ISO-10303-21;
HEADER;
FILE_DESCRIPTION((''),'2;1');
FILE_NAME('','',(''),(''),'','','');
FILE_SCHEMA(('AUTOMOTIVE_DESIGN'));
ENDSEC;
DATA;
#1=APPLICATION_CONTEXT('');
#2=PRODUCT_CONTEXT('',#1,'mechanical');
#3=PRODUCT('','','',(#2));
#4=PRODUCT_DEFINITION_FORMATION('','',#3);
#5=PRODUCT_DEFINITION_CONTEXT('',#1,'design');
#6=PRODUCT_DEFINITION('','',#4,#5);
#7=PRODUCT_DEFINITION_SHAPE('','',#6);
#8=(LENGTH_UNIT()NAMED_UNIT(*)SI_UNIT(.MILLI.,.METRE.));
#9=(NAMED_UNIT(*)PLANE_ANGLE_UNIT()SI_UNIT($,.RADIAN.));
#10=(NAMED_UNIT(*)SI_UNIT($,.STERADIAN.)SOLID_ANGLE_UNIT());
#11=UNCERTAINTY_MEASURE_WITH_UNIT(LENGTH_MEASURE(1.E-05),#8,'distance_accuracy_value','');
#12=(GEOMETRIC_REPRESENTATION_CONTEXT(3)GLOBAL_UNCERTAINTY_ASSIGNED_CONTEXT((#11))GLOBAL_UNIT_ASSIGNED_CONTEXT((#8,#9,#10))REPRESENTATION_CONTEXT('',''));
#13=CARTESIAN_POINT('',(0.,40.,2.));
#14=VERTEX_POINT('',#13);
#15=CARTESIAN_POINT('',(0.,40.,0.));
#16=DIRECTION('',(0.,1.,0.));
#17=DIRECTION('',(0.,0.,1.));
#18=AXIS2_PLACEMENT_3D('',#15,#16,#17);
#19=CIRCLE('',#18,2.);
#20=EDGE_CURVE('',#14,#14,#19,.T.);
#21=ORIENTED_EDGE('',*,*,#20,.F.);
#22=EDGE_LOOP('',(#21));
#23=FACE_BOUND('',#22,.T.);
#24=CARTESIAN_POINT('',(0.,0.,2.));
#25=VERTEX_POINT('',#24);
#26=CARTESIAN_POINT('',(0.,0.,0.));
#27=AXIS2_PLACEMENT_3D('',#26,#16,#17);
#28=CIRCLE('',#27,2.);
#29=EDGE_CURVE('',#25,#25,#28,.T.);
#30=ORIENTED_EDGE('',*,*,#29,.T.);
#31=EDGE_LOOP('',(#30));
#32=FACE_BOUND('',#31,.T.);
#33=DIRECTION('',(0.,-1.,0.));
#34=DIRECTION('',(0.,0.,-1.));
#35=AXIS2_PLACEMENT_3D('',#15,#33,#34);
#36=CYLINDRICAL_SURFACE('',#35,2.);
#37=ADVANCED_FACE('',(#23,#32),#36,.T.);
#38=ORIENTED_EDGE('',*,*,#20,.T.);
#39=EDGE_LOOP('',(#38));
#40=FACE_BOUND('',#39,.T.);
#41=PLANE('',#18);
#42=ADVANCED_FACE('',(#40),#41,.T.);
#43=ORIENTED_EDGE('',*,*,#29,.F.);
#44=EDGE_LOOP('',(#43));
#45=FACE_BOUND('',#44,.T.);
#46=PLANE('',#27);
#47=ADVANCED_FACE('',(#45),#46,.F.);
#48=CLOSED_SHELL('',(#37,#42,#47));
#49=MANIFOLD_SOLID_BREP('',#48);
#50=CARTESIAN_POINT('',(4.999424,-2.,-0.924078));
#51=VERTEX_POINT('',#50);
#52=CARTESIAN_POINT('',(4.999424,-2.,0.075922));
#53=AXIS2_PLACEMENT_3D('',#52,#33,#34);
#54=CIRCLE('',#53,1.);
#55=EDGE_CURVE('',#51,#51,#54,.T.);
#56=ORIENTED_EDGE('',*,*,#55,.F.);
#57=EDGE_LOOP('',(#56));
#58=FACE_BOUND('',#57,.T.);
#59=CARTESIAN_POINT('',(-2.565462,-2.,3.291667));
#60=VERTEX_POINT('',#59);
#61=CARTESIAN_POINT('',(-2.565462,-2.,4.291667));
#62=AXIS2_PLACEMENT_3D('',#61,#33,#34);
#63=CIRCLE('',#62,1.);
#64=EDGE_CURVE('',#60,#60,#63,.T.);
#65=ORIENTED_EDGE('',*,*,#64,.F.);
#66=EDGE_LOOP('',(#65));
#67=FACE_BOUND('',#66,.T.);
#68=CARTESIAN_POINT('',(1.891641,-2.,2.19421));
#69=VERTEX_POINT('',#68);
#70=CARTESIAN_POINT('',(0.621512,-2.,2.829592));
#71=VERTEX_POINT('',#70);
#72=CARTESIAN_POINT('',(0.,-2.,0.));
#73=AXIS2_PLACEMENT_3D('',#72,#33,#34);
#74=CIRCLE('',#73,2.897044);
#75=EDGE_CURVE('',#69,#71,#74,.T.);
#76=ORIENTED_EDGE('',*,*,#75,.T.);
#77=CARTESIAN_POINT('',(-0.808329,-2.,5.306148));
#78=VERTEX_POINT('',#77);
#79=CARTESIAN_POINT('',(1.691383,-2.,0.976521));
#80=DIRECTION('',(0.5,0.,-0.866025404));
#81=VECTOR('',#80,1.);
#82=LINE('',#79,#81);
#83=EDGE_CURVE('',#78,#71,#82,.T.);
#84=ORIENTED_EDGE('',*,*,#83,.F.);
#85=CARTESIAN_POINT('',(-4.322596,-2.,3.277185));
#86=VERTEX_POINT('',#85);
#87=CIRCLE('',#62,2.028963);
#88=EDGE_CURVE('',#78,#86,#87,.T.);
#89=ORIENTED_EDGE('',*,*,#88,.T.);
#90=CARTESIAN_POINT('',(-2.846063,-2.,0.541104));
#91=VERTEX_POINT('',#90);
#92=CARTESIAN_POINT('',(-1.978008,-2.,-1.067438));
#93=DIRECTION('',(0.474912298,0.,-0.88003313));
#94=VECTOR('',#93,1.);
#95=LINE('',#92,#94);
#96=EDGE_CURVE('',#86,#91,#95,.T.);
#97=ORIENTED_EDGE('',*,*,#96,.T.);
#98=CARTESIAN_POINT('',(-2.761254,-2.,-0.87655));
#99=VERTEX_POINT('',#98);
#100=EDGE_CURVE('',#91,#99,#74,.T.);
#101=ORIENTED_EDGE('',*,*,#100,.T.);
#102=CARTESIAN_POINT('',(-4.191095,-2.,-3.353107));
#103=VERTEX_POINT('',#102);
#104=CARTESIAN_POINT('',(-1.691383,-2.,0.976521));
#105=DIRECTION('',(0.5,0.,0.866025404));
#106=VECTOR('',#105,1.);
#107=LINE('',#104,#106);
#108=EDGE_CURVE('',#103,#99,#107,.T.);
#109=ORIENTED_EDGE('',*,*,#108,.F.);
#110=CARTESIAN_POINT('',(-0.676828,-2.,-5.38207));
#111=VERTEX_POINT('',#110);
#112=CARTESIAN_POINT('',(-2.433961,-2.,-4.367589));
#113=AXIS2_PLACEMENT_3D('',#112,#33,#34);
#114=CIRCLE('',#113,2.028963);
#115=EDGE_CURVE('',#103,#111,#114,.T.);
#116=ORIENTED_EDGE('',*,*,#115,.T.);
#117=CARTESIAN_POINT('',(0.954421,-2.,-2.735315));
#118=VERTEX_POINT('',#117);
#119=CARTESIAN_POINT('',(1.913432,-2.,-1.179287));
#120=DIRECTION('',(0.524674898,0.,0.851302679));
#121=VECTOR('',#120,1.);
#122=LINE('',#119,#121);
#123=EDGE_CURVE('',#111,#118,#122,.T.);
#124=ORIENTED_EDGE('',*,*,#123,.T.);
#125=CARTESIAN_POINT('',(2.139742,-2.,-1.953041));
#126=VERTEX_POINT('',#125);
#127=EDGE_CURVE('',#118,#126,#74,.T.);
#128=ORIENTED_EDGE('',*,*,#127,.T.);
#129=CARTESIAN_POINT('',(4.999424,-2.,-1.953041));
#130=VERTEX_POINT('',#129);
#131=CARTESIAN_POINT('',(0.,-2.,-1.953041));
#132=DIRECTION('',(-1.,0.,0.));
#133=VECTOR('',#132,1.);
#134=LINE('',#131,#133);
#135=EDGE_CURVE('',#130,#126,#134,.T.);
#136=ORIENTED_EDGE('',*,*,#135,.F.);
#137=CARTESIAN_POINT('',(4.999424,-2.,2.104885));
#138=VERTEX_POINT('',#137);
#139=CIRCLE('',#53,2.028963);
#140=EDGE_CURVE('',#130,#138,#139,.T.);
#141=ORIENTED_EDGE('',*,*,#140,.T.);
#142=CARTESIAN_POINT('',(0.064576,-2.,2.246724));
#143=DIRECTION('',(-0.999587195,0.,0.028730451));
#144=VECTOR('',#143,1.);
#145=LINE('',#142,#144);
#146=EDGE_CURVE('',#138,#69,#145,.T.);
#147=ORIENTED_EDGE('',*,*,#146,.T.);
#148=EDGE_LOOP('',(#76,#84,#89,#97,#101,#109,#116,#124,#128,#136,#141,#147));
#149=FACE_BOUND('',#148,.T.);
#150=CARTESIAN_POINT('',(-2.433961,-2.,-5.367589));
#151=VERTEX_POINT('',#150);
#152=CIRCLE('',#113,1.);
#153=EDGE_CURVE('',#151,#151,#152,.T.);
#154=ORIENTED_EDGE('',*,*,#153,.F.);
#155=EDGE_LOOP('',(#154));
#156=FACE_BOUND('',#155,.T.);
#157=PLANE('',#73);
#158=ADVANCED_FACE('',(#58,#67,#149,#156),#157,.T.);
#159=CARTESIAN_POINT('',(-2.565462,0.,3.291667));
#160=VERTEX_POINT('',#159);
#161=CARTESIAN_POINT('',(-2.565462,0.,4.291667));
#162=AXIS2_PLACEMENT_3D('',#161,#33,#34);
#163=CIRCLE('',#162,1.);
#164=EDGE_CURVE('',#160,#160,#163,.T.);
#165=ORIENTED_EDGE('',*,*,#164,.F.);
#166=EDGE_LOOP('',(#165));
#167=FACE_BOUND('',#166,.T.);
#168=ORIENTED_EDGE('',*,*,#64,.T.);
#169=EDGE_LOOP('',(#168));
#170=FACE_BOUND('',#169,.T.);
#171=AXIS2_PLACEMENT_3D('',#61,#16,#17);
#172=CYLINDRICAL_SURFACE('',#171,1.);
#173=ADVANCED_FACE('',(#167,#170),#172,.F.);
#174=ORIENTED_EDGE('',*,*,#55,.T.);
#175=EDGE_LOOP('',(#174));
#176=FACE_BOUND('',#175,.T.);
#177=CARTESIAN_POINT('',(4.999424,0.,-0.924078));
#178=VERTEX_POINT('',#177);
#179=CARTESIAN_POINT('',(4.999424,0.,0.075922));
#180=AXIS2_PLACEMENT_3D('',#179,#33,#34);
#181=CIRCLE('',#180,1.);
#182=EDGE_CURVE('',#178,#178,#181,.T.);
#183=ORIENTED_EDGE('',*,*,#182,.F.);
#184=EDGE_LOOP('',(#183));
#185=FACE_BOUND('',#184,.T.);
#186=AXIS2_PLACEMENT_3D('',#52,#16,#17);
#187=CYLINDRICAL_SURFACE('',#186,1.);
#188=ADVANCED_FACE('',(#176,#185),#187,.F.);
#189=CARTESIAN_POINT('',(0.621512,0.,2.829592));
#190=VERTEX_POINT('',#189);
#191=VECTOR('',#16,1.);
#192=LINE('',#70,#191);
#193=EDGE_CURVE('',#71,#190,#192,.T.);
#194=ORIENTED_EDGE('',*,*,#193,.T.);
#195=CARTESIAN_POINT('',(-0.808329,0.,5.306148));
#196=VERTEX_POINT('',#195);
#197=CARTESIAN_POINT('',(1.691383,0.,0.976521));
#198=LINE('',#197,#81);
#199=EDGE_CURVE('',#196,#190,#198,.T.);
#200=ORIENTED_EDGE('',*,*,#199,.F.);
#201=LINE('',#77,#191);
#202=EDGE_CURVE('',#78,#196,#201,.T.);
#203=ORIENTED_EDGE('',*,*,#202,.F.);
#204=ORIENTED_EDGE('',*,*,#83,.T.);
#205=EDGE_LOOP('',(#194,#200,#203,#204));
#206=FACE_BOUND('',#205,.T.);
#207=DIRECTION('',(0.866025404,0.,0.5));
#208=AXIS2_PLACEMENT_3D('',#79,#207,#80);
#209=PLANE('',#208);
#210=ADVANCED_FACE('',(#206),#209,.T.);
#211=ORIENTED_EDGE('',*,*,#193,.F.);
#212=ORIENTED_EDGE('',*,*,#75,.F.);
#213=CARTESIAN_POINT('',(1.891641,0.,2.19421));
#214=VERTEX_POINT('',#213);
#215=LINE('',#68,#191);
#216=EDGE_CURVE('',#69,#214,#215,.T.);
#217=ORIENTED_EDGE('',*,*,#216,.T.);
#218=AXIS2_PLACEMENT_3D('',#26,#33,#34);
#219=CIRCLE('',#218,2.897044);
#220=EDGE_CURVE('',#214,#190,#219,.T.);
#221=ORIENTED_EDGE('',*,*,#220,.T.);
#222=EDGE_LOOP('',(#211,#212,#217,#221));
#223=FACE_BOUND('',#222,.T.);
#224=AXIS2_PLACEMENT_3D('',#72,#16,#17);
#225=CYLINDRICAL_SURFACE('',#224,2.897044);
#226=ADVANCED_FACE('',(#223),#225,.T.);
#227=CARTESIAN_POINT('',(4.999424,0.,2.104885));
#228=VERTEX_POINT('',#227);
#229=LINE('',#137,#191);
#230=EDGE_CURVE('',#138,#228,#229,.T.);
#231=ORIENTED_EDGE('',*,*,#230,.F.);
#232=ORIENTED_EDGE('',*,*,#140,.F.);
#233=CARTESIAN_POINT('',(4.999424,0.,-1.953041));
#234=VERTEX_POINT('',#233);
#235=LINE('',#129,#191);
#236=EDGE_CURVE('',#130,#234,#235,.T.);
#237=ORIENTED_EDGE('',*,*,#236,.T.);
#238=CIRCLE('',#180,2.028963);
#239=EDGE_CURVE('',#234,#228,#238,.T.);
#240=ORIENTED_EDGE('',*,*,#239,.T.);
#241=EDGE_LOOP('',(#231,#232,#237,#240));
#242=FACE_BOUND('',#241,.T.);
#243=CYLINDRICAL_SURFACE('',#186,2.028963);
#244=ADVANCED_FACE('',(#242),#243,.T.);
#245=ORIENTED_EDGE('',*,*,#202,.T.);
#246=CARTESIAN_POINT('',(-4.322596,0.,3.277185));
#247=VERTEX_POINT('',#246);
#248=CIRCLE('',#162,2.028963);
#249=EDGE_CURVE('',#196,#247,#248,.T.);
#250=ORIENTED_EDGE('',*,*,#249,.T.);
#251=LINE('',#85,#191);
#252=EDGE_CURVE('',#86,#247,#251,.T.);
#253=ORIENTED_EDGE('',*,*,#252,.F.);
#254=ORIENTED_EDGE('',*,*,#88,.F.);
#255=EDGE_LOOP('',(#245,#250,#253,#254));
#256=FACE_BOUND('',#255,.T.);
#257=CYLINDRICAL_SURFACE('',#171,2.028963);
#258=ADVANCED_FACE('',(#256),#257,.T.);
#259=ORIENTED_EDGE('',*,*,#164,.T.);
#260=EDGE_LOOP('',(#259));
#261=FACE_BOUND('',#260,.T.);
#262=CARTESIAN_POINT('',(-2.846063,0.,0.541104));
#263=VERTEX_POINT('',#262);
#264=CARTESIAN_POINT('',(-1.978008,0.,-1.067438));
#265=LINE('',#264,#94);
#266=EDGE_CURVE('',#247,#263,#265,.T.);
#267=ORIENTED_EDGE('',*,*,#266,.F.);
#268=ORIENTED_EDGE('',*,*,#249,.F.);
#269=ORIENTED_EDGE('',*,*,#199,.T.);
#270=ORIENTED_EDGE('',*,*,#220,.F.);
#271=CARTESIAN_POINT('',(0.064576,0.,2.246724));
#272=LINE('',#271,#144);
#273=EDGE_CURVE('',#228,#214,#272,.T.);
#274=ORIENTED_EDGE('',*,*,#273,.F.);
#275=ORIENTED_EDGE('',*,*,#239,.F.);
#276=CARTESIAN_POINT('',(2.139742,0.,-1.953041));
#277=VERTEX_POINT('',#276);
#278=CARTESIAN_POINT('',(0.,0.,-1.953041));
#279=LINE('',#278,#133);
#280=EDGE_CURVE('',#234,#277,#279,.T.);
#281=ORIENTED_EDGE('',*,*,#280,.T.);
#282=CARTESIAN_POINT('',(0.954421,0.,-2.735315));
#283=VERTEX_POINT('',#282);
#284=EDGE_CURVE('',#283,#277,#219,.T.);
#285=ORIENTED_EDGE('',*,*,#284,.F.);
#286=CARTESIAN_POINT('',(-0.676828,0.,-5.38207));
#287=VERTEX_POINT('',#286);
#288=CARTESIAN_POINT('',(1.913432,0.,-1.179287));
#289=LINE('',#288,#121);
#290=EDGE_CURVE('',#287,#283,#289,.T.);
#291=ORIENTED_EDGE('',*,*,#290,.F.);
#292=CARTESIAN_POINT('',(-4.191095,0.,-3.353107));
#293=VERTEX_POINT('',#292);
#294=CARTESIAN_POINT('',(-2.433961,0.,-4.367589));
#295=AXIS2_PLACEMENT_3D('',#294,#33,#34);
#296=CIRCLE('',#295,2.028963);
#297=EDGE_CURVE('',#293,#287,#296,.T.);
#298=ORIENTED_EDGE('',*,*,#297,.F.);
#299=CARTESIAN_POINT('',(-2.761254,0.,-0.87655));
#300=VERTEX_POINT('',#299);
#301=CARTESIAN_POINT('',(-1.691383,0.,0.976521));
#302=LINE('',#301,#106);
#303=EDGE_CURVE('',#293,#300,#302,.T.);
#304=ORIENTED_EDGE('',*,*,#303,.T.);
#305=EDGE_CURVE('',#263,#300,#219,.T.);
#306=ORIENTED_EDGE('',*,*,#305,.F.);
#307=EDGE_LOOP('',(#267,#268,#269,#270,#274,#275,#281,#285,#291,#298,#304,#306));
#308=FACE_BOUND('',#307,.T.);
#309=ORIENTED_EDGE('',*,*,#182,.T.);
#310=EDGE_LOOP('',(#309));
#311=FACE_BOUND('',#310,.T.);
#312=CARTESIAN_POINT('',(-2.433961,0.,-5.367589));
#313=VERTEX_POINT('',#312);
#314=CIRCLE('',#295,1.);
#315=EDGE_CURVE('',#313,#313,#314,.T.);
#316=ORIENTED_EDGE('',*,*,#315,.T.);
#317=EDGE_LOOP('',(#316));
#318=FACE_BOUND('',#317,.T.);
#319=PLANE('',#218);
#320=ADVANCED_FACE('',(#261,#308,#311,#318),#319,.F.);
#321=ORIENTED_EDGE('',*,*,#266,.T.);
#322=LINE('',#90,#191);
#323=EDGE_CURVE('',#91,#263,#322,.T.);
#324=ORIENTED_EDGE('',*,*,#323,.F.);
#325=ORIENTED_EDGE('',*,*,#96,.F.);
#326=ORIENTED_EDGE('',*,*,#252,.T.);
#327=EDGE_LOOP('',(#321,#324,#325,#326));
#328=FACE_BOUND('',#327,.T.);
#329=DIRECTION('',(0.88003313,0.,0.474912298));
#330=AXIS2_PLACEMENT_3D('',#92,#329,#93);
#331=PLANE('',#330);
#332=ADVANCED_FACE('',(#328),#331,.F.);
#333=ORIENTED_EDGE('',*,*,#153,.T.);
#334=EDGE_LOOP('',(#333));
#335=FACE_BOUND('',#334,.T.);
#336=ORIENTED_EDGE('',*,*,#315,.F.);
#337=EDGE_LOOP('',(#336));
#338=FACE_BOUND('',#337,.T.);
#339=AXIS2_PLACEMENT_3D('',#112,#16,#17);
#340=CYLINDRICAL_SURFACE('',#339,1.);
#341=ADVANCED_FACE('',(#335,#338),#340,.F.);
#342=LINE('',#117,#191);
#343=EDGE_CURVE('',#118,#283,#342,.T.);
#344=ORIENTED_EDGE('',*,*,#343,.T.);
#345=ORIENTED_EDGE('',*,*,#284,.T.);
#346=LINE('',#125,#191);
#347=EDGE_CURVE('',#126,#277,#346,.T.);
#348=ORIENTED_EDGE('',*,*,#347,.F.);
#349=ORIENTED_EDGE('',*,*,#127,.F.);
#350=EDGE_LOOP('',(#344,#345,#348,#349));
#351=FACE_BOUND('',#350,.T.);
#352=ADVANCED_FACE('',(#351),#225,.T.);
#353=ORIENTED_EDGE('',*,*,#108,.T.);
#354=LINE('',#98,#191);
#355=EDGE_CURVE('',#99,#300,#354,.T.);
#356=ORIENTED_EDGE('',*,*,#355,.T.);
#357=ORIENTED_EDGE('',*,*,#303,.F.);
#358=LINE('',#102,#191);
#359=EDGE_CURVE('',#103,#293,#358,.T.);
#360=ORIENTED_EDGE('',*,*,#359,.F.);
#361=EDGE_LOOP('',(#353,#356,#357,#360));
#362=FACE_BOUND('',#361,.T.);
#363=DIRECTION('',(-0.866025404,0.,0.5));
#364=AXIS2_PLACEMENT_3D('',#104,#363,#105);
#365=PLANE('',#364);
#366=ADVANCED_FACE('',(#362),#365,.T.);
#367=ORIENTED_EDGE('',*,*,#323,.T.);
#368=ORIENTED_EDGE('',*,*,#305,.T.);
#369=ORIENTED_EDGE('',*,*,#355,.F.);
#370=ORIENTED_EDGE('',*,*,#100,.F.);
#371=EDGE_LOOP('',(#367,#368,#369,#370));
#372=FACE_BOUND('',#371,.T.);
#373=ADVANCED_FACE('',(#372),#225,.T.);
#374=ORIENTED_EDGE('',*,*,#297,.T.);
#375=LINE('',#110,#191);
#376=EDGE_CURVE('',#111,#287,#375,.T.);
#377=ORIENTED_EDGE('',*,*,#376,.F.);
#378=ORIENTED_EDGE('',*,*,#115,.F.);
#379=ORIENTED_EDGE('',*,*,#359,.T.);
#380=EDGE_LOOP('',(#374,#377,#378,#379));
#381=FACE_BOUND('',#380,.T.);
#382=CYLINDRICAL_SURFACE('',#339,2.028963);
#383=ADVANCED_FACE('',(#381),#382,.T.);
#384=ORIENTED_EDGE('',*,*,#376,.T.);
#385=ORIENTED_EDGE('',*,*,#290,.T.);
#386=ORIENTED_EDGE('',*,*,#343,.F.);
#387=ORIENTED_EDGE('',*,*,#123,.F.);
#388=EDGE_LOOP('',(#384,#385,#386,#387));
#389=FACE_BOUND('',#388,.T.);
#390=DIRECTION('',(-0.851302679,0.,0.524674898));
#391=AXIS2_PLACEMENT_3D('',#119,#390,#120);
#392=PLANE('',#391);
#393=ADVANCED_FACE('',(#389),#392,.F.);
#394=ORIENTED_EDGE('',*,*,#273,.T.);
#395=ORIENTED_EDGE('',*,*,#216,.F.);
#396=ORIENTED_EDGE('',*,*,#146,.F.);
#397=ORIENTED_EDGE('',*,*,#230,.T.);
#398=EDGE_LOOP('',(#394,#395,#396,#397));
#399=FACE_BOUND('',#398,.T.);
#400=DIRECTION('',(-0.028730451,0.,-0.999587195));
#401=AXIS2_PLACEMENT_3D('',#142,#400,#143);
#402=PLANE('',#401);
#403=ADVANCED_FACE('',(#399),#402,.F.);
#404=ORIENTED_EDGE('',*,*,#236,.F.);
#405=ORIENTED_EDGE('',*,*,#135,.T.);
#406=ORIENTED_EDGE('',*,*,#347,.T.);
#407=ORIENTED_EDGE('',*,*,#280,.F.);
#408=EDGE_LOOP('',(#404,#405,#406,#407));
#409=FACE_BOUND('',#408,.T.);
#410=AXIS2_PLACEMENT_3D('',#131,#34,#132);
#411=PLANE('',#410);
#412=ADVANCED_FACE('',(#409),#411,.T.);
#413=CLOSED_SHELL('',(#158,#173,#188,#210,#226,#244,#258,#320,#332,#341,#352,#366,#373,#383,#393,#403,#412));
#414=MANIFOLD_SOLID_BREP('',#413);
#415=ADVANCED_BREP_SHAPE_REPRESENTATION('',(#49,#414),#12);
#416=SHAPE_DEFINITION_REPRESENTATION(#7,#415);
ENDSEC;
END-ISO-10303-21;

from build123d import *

# Parameters (mm, degrees)
SKETCH1_R           = 2
BOSS_EXTRUDE1_DEPTH = 40
SKETCH2_R           = 1
BOSS_EXTRUDE2_DEPTH = 2


with BuildPart() as part:
    # Sketch1 → Boss-Extrude1 (new body)
    with BuildSketch(Plane(origin=(0, 0, 0), x_dir=(1, 0, 0), z_dir=(0, 1, 0))):
        with Locations(Location((0, 0, 0), (0, 0, 270))):
            Circle(SKETCH1_R)
    extrude(amount=BOSS_EXTRUDE1_DEPTH)


with BuildPart() as body_2:
    # Sketch2 → Boss-Extrude2 (new body)
    with BuildSketch(Plane.XZ):
        with BuildLine():
            Line((2.139742133, -1.953041124), (4.99942355, -1.953041124))
            ThreePointArc((4.99942355, -1.953041124), (7.028386794, 0.07592212), (4.99942355, 2.104885364))
            Line((4.99942355, 2.104885364), (1.891641497, 2.194210216))
            ThreePointArc((1.891641497, 2.194210216), (1.296114465, 2.590936765), (0.621512161, 2.829591606))
            Line((0.621512161, 2.829591606), (-0.808328547, 5.30614836))
            ThreePointArc((-0.808328547, 5.30614836), (-3.579943881, 6.048800451), (-4.322595972, 3.277185117))
            Line((-4.322595972, 3.277185117), (-2.846062537, 0.541104484))
            ThreePointArc((-2.846062537, 0.541104484), (-2.89187429, -0.17300033), (-2.761254294, -0.876550483))
            Line((-2.761254294, -0.876550483), (-4.191095003, -3.353107237))
            ThreePointArc((-4.191095003, -3.353107237), (-3.448442912, -6.124722571), (-0.676827578, -5.38207048))
            Line((-0.676827578, -5.38207048), (0.954421039, -2.7353147))
            ThreePointArc((0.954421039, -2.7353147), (1.595759826, -2.417936435), (2.139742133, -1.953041124))
        make_face()
        with Locations(Location((4.99942355, 0.07592212, 0), (0, 0, 270))):
            Circle(SKETCH2_R, mode=Mode.SUBTRACT)
        with Locations(Location((-2.565462259, 4.291666739, 0), (0, 0, 270))):
            Circle(SKETCH2_R, mode=Mode.SUBTRACT)
        with Locations(Location((-2.43396129, -4.367588858, 0), (0, 0, 270))):
            Circle(SKETCH2_R, mode=Mode.SUBTRACT)
    extrude(amount=BOSS_EXTRUDE2_DEPTH)


solid = Compound([part.part, body_2.part])
